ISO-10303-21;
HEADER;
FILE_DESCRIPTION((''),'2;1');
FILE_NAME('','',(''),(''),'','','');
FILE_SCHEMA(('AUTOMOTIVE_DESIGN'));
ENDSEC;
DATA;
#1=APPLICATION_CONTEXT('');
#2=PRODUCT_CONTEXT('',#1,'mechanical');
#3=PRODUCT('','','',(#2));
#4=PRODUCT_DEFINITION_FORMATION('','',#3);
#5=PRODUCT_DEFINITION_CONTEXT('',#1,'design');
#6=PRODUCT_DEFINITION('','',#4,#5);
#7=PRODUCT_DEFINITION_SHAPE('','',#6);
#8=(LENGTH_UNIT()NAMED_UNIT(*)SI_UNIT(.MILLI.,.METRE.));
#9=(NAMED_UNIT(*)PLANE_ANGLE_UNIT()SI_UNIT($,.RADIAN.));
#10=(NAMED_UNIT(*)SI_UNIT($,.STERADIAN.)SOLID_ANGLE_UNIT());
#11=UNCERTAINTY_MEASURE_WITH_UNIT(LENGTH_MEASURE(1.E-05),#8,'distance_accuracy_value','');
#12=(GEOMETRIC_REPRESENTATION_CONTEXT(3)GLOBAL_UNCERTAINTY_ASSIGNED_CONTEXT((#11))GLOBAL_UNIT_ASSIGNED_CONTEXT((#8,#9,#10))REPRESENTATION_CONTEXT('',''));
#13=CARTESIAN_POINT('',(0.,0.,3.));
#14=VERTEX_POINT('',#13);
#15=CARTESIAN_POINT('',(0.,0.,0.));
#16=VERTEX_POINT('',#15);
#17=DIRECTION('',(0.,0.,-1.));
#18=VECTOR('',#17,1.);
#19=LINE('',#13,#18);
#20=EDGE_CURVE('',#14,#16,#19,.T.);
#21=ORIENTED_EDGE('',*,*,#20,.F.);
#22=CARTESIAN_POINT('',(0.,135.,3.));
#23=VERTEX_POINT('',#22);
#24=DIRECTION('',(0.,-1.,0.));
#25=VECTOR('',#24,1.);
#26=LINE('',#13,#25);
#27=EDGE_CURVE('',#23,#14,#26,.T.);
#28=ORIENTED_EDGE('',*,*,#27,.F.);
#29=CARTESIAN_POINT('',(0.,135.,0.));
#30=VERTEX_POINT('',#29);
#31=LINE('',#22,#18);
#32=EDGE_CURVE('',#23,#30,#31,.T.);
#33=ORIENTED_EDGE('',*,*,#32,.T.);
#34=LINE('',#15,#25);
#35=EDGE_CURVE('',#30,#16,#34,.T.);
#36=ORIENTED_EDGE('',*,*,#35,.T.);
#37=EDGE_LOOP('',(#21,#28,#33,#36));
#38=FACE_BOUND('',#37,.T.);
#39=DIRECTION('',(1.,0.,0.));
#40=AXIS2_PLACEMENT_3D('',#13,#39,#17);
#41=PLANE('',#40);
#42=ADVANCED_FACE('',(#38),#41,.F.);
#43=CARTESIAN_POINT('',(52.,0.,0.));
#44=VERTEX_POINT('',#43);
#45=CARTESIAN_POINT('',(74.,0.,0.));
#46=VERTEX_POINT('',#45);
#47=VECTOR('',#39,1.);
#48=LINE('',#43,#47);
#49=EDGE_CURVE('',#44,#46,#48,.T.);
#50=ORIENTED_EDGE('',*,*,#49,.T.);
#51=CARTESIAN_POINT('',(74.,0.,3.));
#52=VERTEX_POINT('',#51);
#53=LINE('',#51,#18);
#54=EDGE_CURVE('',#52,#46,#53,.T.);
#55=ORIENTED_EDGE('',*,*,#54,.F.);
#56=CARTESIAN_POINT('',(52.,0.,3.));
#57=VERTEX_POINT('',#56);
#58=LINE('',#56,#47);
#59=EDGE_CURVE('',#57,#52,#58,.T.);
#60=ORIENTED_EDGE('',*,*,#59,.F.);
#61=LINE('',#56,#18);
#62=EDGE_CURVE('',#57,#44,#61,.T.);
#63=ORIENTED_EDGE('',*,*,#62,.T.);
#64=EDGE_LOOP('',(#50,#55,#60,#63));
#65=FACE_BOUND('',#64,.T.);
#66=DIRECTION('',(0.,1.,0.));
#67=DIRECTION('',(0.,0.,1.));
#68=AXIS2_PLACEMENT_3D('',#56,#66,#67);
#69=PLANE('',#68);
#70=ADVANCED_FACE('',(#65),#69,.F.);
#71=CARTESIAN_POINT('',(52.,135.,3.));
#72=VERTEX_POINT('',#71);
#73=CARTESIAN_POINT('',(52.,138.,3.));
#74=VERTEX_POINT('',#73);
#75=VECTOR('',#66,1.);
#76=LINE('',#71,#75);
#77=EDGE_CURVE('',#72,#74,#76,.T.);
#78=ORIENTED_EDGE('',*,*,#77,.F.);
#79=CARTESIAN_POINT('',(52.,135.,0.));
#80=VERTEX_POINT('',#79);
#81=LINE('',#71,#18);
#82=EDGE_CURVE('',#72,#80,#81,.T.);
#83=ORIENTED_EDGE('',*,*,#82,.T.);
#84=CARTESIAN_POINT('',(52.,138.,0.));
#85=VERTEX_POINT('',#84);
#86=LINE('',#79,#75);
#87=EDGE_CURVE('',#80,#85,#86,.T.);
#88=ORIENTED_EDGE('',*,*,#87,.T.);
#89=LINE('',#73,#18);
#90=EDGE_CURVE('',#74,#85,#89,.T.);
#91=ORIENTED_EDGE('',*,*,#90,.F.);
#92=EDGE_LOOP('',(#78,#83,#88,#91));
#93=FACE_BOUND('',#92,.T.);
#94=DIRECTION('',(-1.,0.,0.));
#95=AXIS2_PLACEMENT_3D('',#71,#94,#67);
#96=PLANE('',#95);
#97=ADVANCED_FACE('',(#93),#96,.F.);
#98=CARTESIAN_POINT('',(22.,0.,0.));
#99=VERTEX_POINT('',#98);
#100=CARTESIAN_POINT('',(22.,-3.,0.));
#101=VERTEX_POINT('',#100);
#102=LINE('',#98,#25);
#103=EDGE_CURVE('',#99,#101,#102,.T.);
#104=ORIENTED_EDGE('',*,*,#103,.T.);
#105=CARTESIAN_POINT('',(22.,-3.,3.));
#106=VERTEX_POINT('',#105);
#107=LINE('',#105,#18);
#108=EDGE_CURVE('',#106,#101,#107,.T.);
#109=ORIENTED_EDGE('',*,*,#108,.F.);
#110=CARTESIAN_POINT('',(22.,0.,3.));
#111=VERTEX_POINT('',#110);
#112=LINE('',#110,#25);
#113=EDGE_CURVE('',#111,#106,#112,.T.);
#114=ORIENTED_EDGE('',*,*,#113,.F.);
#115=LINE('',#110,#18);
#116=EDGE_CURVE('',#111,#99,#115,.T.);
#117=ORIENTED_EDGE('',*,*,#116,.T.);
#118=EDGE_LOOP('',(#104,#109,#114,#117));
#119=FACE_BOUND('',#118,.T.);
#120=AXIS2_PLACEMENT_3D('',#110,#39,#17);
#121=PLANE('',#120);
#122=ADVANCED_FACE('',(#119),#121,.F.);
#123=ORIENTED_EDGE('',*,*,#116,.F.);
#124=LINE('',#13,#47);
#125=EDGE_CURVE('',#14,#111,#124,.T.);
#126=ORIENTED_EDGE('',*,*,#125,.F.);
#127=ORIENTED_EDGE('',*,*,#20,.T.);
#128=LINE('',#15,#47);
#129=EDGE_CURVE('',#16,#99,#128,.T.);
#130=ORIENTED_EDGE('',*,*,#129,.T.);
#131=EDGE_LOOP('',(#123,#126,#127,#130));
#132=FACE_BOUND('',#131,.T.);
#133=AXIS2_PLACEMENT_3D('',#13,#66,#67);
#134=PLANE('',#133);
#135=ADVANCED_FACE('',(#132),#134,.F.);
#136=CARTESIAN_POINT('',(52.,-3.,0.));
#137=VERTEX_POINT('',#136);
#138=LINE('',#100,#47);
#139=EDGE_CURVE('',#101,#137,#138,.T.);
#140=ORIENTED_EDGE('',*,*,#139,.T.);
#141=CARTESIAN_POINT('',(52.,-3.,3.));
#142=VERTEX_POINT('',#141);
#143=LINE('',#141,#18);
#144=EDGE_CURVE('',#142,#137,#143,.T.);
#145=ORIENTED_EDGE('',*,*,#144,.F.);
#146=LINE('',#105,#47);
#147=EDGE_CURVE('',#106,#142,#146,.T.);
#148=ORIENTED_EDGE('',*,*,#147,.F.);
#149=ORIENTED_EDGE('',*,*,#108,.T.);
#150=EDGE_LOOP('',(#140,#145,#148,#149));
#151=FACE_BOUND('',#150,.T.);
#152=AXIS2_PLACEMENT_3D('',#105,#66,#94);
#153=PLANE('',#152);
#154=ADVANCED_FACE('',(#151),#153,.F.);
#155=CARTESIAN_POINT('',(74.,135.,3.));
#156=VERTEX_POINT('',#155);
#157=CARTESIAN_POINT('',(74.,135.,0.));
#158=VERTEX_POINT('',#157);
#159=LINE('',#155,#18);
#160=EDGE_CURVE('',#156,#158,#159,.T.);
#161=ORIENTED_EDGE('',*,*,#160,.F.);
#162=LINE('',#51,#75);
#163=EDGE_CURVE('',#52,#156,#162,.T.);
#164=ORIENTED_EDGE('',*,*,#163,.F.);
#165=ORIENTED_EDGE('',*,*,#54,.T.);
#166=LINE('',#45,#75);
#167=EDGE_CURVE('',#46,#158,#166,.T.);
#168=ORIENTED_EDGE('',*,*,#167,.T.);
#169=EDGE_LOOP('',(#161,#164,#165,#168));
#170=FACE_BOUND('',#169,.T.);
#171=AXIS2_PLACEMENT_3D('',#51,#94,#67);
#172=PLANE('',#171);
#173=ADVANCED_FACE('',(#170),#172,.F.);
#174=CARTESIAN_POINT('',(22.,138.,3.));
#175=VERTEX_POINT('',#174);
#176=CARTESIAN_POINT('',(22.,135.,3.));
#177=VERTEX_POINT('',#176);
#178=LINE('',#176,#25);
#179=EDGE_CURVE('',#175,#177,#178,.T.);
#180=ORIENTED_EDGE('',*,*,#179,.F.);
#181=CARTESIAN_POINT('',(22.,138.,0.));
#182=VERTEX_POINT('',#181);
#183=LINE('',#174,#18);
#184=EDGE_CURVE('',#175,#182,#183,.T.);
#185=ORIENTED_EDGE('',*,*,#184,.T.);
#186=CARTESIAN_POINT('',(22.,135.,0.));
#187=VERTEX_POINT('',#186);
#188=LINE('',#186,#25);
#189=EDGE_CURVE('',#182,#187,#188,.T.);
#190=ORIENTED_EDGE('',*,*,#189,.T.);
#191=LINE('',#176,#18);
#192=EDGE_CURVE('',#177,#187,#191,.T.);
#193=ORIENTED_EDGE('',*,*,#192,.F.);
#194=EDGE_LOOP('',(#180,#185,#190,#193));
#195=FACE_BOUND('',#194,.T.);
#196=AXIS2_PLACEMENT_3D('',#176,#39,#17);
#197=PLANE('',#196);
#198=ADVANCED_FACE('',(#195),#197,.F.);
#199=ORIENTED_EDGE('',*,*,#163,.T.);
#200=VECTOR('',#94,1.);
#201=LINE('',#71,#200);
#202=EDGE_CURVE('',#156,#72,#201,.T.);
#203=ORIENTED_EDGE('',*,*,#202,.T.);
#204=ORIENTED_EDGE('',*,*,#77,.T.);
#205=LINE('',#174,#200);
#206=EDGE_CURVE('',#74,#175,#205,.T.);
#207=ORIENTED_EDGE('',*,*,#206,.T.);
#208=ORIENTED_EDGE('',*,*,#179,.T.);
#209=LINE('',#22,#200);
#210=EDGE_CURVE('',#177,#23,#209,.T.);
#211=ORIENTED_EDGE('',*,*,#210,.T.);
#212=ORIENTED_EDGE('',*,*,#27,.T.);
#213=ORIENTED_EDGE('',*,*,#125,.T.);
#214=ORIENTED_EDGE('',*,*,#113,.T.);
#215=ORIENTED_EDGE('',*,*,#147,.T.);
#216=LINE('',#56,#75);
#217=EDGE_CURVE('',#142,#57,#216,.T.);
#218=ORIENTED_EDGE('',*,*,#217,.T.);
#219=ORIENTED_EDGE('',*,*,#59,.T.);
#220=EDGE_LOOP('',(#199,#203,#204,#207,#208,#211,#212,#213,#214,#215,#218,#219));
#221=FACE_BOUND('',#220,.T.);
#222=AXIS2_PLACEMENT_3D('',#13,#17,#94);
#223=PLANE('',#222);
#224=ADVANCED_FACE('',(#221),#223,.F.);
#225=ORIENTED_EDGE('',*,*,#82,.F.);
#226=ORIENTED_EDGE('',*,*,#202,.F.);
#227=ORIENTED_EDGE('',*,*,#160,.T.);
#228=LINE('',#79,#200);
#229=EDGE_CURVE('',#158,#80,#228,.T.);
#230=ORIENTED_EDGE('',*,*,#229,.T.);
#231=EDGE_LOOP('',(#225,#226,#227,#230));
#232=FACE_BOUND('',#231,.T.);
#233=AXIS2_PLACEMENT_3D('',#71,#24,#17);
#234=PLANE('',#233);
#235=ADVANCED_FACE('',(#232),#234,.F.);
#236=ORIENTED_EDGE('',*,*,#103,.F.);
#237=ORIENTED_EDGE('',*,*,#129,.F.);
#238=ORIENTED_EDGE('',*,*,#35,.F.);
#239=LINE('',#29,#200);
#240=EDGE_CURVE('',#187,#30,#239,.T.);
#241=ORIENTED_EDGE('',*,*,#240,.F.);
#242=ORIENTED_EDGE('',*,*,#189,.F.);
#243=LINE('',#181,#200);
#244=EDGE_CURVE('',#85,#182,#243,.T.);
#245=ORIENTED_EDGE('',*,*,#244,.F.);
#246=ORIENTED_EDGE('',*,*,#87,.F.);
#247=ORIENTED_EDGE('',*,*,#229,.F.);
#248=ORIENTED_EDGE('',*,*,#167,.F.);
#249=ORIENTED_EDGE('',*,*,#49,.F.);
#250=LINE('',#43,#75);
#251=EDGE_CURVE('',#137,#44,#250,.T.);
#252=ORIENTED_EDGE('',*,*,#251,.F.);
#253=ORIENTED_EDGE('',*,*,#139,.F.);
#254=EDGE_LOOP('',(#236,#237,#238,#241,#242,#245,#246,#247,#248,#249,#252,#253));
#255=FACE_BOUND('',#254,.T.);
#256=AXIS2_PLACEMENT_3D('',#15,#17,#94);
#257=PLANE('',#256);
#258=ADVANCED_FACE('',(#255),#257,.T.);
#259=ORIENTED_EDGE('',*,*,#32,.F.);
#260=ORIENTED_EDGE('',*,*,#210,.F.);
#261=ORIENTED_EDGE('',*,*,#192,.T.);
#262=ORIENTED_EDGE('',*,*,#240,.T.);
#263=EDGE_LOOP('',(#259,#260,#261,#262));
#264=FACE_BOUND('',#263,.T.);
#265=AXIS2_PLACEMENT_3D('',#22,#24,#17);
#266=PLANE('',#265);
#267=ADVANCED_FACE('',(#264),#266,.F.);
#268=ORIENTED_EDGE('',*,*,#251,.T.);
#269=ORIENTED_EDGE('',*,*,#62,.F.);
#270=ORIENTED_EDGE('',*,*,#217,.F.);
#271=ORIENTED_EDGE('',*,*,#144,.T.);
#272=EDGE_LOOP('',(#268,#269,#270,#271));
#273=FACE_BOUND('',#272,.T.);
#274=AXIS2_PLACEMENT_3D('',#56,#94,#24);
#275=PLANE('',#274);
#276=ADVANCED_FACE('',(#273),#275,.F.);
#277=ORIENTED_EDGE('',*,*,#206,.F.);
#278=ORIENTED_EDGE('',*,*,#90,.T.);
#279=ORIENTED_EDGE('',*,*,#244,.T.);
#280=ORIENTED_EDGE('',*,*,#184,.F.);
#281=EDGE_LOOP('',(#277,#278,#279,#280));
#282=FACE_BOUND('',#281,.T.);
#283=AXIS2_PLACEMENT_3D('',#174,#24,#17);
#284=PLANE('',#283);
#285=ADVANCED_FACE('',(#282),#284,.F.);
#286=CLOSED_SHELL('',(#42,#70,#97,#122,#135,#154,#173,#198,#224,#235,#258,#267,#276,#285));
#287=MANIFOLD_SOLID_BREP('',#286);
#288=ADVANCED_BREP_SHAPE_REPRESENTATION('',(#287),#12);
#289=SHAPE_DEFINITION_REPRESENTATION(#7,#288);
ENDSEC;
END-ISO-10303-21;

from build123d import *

# Parameters (mm, degrees)
RESSALTO_EXTRUS_O1_DEPTH = 3


with BuildPart() as part:
    # Esboço1 → Ressalto-extrusão1 (new body)
    with BuildSketch(Plane.XY):
        Polygon((52, 0), (74, 0), (74, 135), (52, 135), (52, 138), (22, 138), (22, 135), (0, 135), (0, 0), (22, 0), (22, -3), (52, -3), align=None)
    extrude(amount=RESSALTO_EXTRUS_O1_DEPTH)


solid = part.part
